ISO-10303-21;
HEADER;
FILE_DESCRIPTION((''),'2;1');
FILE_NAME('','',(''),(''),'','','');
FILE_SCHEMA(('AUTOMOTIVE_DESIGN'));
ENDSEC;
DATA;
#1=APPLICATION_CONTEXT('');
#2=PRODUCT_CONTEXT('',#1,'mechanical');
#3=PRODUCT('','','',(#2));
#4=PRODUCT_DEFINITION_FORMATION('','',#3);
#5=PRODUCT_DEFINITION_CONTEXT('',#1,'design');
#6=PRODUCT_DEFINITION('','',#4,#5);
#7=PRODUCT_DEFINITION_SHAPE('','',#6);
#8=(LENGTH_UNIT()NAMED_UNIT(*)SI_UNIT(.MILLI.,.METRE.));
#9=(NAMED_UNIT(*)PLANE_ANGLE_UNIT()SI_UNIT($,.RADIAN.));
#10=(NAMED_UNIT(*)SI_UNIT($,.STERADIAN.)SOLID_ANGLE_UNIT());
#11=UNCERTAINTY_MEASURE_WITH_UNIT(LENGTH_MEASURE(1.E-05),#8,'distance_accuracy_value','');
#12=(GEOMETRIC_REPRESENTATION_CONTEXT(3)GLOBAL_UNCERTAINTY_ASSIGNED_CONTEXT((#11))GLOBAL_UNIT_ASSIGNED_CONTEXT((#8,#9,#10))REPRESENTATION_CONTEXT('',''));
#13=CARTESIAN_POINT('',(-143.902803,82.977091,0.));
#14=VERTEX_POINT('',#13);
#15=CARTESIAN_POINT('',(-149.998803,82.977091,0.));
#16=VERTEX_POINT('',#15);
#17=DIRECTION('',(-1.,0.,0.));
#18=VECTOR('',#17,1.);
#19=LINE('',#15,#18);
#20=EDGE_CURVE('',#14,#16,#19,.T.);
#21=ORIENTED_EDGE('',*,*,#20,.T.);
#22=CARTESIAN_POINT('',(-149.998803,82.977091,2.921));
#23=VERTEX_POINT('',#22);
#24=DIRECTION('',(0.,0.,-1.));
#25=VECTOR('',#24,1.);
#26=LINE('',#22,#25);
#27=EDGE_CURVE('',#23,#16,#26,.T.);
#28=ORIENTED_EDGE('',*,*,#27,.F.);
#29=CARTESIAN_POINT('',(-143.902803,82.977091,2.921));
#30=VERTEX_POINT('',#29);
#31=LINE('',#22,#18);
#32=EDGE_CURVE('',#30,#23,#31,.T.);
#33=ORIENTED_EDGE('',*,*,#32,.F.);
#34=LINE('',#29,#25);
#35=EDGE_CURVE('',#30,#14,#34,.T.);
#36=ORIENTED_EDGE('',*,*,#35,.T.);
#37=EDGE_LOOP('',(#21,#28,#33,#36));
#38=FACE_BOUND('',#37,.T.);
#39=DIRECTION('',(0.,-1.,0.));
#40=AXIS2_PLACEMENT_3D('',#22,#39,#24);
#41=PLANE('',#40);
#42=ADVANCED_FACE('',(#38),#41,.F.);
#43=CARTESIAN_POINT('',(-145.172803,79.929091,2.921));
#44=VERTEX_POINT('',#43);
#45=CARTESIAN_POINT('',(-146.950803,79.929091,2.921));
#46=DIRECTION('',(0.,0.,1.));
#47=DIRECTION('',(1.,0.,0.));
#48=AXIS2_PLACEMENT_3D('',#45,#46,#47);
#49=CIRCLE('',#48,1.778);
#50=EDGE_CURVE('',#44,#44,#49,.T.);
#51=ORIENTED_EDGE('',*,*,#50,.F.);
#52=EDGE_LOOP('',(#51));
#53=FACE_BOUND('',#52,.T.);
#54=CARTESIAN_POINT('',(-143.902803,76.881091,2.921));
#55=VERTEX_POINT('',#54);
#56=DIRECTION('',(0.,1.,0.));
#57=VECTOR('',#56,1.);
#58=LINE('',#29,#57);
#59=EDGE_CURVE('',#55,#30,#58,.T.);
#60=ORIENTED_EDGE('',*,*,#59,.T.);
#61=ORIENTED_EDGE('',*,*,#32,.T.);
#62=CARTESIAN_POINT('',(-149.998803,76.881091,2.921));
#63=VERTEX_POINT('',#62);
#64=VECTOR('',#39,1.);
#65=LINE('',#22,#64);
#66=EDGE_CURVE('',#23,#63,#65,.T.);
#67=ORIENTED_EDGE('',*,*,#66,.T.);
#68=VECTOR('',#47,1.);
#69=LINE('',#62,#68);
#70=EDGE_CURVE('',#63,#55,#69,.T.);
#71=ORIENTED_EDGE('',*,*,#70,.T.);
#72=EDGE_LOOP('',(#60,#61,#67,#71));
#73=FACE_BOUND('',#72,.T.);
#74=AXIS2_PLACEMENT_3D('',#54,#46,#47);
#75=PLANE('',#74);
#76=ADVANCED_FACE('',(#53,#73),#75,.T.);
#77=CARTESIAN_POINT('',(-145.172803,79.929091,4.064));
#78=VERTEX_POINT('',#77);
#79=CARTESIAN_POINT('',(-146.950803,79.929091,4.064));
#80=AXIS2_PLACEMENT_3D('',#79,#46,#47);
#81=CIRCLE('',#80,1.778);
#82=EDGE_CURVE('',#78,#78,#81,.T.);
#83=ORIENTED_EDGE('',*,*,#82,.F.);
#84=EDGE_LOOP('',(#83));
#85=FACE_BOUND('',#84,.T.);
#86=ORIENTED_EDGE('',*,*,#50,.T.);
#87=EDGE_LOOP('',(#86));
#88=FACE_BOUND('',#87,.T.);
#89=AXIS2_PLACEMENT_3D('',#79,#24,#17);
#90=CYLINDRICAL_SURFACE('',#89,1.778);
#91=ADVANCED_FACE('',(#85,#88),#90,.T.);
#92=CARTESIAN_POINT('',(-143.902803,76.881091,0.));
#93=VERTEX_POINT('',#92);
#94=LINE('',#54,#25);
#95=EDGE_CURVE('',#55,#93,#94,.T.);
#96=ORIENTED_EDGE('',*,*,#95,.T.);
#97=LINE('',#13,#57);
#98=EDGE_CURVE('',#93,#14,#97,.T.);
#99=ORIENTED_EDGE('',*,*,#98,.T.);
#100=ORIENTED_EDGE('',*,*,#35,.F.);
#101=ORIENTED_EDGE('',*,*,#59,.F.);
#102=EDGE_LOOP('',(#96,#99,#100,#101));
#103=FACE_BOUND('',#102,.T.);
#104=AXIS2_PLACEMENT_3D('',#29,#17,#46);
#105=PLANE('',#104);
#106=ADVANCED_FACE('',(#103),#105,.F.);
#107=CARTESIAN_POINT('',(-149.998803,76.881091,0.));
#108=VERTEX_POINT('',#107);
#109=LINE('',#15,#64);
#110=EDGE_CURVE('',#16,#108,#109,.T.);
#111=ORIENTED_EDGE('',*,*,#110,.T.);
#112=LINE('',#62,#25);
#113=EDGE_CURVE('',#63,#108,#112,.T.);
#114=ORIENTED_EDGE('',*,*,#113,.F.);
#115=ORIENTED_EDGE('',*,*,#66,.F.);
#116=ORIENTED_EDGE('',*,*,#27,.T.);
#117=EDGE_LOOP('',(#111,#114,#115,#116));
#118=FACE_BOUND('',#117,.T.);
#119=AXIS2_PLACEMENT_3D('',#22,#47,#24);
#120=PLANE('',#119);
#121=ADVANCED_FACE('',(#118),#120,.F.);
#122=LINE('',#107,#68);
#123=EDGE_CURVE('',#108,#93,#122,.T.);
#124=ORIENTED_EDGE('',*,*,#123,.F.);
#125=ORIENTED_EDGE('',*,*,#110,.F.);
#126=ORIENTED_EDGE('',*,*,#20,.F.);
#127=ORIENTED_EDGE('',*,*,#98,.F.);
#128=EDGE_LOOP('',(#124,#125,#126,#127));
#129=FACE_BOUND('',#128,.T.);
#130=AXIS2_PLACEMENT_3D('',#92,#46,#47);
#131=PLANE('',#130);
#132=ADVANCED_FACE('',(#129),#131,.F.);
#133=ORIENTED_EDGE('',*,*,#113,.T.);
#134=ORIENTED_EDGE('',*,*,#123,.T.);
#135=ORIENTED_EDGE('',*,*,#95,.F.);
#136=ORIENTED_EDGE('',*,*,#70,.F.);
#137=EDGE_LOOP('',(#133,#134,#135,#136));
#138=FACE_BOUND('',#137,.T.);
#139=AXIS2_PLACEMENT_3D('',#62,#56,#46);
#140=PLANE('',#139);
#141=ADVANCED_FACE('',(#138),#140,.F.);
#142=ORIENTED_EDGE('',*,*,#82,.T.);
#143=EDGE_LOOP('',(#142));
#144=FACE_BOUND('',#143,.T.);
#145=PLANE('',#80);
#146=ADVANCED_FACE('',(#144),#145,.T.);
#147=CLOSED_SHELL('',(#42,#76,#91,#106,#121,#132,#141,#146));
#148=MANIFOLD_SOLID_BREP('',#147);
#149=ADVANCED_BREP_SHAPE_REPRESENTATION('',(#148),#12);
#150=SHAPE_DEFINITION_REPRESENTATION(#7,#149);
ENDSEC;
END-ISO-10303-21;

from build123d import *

# Parameters (mm, degrees)
SKETCH1_W           = 6.096
SKETCH1_H           = 6.096
BOSS_EXTRUDE1_DEPTH = 2.921
SKETCH2_R           = 1.778
BOSS_EXTRUDE2_DEPTH = 1.143


with BuildPart() as part:
    # Sketch1 → Boss-Extrude1 (new body)
    with BuildSketch(Plane.XY):
        with Locations((-146.95080282, 79.929090846)):
            Rectangle(SKETCH1_W, SKETCH1_H)
    extrude(amount=BOSS_EXTRUDE1_DEPTH)

    # Sketch2 → Boss-Extrude2 (add)
    with BuildSketch(Plane.XY.offset(2.921)):
        with Locations((-146.95080282, 79.929090846)):
            Circle(SKETCH2_R)
    extrude(amount=BOSS_EXTRUDE2_DEPTH)


solid = part.part
